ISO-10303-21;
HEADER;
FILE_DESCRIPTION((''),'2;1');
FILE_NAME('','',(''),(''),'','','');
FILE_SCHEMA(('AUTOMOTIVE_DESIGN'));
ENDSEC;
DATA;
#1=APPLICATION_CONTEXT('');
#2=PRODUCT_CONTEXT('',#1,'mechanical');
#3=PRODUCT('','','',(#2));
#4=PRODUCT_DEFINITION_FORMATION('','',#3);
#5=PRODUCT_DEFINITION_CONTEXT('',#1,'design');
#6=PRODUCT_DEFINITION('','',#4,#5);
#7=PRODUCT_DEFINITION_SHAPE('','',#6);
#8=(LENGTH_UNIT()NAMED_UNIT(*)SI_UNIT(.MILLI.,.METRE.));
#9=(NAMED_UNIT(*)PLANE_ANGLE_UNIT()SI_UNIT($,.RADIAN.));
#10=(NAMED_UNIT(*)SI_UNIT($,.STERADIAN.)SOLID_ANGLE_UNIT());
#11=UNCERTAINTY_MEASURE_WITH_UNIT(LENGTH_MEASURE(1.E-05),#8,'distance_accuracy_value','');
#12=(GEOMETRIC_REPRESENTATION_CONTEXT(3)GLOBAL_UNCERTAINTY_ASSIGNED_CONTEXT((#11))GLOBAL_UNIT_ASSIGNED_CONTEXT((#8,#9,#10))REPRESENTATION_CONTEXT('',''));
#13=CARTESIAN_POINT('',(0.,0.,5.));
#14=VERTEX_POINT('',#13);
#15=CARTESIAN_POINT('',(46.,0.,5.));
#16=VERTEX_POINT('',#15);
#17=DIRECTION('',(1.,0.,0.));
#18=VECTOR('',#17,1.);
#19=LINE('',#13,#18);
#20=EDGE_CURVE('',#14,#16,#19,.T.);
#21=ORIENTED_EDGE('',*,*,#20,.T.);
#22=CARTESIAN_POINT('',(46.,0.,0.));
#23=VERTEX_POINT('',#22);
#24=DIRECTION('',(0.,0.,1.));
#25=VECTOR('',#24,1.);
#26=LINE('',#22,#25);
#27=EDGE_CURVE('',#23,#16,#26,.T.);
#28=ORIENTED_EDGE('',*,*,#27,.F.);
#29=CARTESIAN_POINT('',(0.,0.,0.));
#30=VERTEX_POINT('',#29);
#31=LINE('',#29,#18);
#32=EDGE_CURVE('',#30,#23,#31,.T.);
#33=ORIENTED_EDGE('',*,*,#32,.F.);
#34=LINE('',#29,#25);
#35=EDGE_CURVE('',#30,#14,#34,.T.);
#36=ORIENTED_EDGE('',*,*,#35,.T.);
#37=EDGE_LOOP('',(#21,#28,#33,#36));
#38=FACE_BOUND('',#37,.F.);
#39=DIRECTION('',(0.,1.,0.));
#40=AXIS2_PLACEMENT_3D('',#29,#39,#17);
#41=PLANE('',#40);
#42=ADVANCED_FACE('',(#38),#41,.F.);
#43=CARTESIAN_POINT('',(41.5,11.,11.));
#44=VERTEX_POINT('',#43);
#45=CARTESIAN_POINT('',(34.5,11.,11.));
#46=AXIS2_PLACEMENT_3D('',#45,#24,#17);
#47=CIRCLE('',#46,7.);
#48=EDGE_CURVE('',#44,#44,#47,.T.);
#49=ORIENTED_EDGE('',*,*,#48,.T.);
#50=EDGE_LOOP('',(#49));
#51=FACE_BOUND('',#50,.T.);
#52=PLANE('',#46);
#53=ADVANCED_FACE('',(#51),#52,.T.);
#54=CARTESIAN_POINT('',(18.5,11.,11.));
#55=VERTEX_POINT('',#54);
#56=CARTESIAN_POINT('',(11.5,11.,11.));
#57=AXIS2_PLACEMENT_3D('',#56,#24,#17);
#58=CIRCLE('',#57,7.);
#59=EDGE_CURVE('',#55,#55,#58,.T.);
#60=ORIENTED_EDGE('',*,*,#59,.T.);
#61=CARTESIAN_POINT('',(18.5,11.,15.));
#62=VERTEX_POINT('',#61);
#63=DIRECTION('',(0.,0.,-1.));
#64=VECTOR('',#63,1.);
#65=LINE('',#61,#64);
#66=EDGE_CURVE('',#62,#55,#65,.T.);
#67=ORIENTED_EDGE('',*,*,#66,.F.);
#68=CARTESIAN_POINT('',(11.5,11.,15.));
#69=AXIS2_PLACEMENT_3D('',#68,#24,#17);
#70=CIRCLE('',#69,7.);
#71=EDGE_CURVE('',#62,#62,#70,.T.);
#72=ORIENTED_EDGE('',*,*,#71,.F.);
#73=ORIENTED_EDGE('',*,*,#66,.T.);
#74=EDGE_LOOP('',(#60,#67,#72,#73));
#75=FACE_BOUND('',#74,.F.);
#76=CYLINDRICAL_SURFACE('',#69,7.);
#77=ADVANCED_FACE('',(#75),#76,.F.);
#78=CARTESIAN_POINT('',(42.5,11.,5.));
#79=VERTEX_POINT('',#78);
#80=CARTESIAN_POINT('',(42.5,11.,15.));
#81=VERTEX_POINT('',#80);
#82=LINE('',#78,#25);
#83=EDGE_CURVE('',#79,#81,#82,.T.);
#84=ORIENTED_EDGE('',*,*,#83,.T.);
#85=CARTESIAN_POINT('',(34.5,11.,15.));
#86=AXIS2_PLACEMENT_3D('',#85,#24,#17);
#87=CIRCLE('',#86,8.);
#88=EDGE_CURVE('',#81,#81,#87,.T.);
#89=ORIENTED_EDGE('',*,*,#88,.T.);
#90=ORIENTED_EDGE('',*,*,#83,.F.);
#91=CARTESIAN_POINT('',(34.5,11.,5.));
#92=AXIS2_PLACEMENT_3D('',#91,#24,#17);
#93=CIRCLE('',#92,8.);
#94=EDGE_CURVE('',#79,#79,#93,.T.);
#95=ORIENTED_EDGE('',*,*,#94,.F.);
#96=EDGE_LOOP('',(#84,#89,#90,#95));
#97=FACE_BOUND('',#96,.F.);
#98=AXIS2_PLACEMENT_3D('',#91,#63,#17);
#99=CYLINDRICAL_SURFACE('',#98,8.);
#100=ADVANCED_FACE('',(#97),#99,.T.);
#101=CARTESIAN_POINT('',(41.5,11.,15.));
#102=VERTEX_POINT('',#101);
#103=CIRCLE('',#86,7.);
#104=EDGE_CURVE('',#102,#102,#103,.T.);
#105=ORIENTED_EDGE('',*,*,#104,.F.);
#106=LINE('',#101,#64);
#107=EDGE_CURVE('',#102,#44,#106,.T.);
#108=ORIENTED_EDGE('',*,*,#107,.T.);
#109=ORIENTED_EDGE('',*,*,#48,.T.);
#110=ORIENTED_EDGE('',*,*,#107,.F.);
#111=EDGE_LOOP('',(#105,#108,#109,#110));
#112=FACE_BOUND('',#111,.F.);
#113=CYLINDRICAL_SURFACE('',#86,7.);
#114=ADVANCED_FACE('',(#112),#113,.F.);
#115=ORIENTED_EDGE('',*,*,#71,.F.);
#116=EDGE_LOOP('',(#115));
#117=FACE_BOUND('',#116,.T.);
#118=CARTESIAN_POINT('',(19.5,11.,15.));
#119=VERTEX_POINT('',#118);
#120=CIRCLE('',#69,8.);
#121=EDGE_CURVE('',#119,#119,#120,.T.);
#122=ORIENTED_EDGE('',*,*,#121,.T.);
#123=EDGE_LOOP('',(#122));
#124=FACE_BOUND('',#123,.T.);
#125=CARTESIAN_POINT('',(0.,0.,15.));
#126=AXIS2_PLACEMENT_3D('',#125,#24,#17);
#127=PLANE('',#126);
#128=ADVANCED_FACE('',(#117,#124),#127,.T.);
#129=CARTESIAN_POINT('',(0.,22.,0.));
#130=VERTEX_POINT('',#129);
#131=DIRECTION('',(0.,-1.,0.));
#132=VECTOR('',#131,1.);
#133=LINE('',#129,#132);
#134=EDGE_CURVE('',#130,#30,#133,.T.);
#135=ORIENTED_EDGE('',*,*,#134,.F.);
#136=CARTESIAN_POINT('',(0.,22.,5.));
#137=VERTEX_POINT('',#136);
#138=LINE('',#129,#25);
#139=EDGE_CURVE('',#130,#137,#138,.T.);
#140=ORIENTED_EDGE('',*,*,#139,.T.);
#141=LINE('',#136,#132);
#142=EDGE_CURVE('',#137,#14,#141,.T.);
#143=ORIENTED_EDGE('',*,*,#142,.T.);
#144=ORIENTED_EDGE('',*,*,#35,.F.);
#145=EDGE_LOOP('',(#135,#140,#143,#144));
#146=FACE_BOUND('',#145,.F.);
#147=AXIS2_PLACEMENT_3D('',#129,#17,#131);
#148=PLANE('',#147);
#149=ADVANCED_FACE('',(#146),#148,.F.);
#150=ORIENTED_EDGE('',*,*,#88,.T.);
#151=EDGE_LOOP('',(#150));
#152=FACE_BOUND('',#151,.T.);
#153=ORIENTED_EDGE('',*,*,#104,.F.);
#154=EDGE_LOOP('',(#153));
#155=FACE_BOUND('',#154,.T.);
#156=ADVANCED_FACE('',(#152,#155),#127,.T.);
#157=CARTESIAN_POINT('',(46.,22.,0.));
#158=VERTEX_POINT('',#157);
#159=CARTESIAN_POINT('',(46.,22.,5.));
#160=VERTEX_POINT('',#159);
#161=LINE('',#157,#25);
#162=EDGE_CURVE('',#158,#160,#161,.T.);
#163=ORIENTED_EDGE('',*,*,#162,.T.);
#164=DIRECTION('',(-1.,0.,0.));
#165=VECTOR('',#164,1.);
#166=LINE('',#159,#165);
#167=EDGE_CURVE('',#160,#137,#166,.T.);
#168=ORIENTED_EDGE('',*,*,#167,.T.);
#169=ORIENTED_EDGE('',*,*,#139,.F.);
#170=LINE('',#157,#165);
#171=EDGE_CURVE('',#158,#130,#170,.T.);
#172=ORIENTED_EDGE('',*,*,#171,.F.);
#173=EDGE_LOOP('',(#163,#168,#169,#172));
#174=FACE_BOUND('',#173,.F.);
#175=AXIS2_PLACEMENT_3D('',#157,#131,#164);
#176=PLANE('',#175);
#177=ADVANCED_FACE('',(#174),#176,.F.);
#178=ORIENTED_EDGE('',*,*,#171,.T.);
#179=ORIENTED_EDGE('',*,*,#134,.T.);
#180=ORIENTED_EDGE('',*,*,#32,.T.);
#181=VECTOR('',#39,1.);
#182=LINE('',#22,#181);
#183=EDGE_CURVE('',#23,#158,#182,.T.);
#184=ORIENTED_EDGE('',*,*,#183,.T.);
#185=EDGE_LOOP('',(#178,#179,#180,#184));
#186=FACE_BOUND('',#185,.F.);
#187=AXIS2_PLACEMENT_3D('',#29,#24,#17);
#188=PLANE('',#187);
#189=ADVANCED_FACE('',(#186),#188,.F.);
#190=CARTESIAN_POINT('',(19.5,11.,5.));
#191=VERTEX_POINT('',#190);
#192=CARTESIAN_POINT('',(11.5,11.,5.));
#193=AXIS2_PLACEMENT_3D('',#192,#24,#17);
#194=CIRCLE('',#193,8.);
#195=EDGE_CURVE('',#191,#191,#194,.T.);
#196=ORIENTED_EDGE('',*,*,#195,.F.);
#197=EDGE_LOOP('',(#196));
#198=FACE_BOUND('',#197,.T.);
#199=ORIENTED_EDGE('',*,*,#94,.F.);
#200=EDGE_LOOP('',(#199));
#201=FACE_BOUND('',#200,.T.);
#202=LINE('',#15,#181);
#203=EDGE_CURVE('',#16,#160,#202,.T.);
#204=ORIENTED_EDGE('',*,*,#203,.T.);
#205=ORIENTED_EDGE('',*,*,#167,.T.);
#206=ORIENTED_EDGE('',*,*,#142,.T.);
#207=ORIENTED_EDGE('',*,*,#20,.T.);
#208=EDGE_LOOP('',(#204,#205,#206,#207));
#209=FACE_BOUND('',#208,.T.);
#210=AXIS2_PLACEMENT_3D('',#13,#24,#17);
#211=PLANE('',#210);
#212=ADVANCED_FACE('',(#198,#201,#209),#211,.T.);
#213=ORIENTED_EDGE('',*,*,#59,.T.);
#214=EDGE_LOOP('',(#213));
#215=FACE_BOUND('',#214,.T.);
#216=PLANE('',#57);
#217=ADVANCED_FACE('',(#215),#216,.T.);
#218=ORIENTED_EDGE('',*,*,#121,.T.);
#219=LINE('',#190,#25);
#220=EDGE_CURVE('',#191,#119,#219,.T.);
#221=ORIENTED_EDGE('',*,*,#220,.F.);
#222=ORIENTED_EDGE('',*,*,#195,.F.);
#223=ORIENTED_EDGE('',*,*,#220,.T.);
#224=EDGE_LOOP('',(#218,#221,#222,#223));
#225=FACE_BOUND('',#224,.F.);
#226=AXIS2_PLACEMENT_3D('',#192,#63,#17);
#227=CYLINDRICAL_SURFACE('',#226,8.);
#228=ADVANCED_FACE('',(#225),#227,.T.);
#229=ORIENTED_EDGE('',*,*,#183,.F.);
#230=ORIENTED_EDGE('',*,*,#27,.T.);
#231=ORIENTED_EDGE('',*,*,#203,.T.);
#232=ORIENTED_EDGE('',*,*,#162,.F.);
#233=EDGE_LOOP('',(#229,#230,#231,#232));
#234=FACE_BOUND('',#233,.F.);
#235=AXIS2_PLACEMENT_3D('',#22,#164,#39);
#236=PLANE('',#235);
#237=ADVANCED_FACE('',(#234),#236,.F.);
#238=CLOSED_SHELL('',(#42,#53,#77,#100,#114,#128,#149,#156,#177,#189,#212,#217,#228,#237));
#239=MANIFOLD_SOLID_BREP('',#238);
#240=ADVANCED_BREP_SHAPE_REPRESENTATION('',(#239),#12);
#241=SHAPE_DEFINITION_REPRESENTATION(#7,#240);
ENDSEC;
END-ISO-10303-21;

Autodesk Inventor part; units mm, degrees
ref_plane "YZ Plane" through (0, 0, 0) normal (1, 0, 0) x (0, 1, 0)
ref_plane "XZ Plane" through (0, 0, 0) normal (0, 1, 0) x (-1, 0, 0)
ref_plane "XY Plane" through (0, 0, 0) normal (0, 0, 1) x (1, 0, 0)
sketch "Sketch1" plane through (0, 0, 0) normal (0, 0, 1) x (1, 0, 0)
  line L0 (0, 0) -> (46, 0)
  line L1 (46, 0) -> (46, 22)
  line L2 (46, 22) -> (0, 22)
  line L3 (0, 22) -> (0, 0)
  dimension "d0" = 46
  dimension "d1" = 22
extrude "Extrusion1" add sketch "Sketch1" along normal blind 5
sketch "Sketch2" plane through (0, 0, 5) normal (0, 0, 1) x (1, 0, 0)
  line L0 (0, 0) -> (46, 0) projected
  line L1 (46, 0) -> (46, 22) projected
  circle A0 centre (11.5, 11) radius 8
  circle A1 centre (34.5, 11) radius 8
  point P0 (23, 0)
  point P1 (23, 21.9141)
  point P2 (23, 11)
  point P3 (0, 11)
  point P4 (46, 11)
  dimension "d4" = 16
  dimension "d5" = 16
extrude "Extrusion2" add sketch "Sketch2" along normal blind 10
sketch "Sketch3" plane through (11.5, 11, 15) normal (0, 0, 1) x (1, 0, 0)
  circle A0 centre (0, 0) radius 7
  point P0 (-11.5, -11)
  dimension "d8" = 14
sketch "Sketch4" plane through (34.5, 11, 15) normal (0, 0, 1) x (1, 0, 0)
  circle A0 centre (0, 0) radius 7
  point P0 (-34.5, -11)
  dimension "d9" = 14
extrude "Extrusion3" cut sketch "Sketch3" against normal blind 4
extrude "Extrusion4" cut sketch "Sketch4" against normal blind 4
sketch "Sketch5" plane through (11.5, 11, 11) normal (0, 0, 1) x (1, 0, 0)
  point P0 (-11.5, -11)
sketch "Sketch6" plane through (0, 0, 5) normal (0, 0, 1) x (1, 0, 0)
  point P0 (0, 0)
properties part number "ir sensor" material "Titanium"
